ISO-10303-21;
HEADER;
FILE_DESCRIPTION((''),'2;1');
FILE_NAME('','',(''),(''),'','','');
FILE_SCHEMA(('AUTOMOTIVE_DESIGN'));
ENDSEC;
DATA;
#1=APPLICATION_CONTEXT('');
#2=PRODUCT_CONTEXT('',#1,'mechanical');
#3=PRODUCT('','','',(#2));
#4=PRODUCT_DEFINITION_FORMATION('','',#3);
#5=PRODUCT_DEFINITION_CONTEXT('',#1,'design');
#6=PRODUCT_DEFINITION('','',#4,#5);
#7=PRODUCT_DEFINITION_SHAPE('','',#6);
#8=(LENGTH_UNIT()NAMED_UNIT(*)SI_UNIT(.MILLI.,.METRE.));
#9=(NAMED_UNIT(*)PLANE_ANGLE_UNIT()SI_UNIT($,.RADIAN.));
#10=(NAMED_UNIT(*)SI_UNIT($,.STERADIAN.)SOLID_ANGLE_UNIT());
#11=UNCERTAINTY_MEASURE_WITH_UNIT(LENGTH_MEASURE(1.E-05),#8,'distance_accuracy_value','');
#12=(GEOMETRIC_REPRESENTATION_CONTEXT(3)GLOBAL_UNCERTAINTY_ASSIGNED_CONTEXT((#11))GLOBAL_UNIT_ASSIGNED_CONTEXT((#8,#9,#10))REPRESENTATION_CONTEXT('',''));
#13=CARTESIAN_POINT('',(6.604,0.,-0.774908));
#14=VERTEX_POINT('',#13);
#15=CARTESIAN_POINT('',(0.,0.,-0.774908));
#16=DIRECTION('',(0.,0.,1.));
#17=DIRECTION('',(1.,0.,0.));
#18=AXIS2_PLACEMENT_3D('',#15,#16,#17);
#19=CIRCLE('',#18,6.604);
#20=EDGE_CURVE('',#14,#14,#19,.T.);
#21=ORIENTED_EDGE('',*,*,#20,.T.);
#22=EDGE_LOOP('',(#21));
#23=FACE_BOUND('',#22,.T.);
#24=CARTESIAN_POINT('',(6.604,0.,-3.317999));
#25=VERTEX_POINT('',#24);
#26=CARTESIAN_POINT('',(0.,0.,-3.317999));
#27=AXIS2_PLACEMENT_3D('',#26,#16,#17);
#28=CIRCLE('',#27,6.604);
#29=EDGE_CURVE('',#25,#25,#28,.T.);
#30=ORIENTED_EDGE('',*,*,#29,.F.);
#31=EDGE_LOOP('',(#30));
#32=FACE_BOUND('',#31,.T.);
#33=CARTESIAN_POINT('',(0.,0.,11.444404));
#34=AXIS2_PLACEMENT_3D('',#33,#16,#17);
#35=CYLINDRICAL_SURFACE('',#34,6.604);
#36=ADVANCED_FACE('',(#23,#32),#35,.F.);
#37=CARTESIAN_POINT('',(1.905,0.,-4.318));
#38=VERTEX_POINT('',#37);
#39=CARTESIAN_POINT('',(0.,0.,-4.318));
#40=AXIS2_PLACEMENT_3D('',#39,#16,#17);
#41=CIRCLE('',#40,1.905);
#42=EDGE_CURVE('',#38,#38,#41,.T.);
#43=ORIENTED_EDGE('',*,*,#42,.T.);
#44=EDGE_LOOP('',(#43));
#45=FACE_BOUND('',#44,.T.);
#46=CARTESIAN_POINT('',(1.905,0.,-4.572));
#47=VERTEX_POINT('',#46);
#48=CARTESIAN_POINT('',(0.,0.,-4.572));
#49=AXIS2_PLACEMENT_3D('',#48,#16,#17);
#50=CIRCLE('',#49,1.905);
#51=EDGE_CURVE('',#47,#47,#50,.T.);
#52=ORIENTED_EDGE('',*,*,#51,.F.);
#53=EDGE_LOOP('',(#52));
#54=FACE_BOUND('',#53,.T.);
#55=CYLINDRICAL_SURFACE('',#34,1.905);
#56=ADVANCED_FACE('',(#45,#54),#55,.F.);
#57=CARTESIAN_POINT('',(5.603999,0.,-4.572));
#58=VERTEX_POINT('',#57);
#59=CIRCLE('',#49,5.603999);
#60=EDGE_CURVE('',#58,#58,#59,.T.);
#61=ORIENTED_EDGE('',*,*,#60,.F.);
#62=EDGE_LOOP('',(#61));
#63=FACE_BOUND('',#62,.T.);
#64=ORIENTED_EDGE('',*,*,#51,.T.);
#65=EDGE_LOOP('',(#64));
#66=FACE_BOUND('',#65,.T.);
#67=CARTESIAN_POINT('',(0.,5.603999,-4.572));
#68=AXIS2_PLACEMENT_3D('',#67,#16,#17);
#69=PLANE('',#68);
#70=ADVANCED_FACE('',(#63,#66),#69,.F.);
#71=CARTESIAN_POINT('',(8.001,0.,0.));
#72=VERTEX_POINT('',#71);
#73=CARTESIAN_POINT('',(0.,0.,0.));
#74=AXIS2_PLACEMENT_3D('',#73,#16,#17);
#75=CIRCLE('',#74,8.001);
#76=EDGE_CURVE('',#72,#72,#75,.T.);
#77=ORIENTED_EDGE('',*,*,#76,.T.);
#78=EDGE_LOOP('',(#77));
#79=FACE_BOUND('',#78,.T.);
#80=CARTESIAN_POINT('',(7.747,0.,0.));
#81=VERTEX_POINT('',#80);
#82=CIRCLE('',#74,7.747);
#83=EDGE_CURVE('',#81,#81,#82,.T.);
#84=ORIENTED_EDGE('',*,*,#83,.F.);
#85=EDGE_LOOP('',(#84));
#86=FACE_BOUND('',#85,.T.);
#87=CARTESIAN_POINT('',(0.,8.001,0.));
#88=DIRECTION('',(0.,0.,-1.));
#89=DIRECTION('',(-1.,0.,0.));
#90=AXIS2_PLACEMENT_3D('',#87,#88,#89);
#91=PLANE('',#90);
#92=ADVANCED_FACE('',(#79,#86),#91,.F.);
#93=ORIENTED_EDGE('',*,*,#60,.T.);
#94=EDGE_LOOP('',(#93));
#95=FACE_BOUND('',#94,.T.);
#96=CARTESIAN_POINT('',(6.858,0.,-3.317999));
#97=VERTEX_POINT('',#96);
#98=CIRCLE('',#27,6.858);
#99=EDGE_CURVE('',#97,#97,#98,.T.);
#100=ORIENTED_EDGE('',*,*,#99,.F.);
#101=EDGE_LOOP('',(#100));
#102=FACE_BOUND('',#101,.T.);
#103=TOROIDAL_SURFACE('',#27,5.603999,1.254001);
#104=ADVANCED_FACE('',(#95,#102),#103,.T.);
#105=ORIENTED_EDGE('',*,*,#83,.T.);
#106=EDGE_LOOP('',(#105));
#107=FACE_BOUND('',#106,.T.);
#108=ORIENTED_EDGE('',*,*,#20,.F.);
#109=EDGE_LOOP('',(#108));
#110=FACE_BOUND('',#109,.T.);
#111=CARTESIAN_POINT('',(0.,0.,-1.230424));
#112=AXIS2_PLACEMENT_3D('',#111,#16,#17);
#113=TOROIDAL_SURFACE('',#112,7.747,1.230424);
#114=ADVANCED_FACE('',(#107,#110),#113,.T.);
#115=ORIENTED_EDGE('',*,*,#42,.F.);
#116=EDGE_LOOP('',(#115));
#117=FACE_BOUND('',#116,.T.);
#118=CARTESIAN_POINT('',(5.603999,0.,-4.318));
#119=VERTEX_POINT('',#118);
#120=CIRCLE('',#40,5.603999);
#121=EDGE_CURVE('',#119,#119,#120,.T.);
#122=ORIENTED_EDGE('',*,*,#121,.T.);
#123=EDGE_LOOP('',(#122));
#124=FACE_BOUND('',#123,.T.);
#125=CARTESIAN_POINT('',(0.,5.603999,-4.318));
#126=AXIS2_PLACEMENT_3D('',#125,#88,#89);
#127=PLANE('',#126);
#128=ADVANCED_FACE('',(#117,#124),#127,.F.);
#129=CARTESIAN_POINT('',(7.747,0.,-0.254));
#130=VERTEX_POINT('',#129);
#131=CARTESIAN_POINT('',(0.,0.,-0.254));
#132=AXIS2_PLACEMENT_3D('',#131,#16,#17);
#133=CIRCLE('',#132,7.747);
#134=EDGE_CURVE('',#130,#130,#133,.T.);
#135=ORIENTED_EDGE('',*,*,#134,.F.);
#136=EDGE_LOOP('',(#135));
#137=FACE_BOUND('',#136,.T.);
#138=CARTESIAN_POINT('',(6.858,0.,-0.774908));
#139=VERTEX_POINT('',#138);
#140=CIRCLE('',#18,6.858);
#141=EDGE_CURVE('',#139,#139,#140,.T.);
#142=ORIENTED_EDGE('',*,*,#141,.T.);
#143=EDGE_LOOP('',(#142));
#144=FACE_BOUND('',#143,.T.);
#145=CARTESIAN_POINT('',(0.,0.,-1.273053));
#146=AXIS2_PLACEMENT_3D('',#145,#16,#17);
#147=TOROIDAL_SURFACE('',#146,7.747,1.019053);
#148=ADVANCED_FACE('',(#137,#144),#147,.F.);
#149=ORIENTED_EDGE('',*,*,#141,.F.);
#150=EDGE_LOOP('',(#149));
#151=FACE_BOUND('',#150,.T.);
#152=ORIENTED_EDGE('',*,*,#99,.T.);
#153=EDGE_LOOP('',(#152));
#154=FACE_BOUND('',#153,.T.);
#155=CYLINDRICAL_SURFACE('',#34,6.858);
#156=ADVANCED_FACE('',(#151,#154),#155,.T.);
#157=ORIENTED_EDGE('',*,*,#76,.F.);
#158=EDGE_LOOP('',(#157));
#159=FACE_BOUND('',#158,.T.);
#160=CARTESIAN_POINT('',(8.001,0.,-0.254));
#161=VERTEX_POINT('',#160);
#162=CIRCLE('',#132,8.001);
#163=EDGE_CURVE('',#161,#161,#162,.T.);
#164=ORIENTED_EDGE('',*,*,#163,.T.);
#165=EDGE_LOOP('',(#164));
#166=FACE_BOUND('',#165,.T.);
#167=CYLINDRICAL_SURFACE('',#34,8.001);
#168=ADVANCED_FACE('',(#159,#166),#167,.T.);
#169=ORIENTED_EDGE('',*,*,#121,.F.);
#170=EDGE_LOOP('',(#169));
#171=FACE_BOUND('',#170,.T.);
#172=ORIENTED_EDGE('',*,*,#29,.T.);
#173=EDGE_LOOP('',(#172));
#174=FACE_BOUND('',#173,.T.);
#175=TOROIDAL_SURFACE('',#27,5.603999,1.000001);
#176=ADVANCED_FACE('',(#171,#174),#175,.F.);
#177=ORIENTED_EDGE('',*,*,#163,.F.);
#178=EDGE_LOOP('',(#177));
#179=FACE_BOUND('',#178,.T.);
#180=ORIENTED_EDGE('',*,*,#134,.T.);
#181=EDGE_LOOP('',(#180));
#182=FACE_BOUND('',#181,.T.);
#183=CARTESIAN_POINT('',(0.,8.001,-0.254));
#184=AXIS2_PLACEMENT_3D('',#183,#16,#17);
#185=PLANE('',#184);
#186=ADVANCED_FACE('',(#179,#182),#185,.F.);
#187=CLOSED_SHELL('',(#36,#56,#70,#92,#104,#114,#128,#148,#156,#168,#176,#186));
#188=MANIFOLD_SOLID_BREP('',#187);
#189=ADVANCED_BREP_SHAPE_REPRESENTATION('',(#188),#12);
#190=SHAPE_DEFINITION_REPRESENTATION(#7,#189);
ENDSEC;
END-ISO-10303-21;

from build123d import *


with BuildPart() as part:
    # Sketch1 → Revolve1 (revolve)
    with BuildSketch(Plane(origin=(0, 0, 0), x_dir=(0, 0, -1), z_dir=(1, 0, 0))):
        with BuildLine():
            Line((0, 8.001), (0, 7.747))
            ThreePointArc((0, 7.747), (0.21198872, 7.056541514), (0.774908178, 6.604))
            Line((0.774908178, 6.604), (3.31799946, 6.604))
            ThreePointArc((3.31799946, 6.604), (4.025106623, 6.311106623), (4.318, 5.60399946))
            Line((4.318, 5.60399946), (4.318, 1.905))
            Line((4.318, 1.905), (4.572, 1.905))
            Line((4.572, 1.905), (4.572, 5.60399946))
            ThreePointArc((4.572, 5.60399946), (4.204711745, 6.490711745), (3.31799946, 6.858))
            Line((3.31799946, 6.858), (0.774908178, 6.858))
            ThreePointArc((0.774908178, 6.858), (0.393818958, 7.231814031), (0.254, 7.747))
            Line((0.254, 7.747), (0.254, 8.001))
            Line((0.254, 8.001), (0, 8.001))
        make_face()
    revolve(axis=Axis((0, 0, 11.444404328), (0, 0, -1)))


solid = part.part
